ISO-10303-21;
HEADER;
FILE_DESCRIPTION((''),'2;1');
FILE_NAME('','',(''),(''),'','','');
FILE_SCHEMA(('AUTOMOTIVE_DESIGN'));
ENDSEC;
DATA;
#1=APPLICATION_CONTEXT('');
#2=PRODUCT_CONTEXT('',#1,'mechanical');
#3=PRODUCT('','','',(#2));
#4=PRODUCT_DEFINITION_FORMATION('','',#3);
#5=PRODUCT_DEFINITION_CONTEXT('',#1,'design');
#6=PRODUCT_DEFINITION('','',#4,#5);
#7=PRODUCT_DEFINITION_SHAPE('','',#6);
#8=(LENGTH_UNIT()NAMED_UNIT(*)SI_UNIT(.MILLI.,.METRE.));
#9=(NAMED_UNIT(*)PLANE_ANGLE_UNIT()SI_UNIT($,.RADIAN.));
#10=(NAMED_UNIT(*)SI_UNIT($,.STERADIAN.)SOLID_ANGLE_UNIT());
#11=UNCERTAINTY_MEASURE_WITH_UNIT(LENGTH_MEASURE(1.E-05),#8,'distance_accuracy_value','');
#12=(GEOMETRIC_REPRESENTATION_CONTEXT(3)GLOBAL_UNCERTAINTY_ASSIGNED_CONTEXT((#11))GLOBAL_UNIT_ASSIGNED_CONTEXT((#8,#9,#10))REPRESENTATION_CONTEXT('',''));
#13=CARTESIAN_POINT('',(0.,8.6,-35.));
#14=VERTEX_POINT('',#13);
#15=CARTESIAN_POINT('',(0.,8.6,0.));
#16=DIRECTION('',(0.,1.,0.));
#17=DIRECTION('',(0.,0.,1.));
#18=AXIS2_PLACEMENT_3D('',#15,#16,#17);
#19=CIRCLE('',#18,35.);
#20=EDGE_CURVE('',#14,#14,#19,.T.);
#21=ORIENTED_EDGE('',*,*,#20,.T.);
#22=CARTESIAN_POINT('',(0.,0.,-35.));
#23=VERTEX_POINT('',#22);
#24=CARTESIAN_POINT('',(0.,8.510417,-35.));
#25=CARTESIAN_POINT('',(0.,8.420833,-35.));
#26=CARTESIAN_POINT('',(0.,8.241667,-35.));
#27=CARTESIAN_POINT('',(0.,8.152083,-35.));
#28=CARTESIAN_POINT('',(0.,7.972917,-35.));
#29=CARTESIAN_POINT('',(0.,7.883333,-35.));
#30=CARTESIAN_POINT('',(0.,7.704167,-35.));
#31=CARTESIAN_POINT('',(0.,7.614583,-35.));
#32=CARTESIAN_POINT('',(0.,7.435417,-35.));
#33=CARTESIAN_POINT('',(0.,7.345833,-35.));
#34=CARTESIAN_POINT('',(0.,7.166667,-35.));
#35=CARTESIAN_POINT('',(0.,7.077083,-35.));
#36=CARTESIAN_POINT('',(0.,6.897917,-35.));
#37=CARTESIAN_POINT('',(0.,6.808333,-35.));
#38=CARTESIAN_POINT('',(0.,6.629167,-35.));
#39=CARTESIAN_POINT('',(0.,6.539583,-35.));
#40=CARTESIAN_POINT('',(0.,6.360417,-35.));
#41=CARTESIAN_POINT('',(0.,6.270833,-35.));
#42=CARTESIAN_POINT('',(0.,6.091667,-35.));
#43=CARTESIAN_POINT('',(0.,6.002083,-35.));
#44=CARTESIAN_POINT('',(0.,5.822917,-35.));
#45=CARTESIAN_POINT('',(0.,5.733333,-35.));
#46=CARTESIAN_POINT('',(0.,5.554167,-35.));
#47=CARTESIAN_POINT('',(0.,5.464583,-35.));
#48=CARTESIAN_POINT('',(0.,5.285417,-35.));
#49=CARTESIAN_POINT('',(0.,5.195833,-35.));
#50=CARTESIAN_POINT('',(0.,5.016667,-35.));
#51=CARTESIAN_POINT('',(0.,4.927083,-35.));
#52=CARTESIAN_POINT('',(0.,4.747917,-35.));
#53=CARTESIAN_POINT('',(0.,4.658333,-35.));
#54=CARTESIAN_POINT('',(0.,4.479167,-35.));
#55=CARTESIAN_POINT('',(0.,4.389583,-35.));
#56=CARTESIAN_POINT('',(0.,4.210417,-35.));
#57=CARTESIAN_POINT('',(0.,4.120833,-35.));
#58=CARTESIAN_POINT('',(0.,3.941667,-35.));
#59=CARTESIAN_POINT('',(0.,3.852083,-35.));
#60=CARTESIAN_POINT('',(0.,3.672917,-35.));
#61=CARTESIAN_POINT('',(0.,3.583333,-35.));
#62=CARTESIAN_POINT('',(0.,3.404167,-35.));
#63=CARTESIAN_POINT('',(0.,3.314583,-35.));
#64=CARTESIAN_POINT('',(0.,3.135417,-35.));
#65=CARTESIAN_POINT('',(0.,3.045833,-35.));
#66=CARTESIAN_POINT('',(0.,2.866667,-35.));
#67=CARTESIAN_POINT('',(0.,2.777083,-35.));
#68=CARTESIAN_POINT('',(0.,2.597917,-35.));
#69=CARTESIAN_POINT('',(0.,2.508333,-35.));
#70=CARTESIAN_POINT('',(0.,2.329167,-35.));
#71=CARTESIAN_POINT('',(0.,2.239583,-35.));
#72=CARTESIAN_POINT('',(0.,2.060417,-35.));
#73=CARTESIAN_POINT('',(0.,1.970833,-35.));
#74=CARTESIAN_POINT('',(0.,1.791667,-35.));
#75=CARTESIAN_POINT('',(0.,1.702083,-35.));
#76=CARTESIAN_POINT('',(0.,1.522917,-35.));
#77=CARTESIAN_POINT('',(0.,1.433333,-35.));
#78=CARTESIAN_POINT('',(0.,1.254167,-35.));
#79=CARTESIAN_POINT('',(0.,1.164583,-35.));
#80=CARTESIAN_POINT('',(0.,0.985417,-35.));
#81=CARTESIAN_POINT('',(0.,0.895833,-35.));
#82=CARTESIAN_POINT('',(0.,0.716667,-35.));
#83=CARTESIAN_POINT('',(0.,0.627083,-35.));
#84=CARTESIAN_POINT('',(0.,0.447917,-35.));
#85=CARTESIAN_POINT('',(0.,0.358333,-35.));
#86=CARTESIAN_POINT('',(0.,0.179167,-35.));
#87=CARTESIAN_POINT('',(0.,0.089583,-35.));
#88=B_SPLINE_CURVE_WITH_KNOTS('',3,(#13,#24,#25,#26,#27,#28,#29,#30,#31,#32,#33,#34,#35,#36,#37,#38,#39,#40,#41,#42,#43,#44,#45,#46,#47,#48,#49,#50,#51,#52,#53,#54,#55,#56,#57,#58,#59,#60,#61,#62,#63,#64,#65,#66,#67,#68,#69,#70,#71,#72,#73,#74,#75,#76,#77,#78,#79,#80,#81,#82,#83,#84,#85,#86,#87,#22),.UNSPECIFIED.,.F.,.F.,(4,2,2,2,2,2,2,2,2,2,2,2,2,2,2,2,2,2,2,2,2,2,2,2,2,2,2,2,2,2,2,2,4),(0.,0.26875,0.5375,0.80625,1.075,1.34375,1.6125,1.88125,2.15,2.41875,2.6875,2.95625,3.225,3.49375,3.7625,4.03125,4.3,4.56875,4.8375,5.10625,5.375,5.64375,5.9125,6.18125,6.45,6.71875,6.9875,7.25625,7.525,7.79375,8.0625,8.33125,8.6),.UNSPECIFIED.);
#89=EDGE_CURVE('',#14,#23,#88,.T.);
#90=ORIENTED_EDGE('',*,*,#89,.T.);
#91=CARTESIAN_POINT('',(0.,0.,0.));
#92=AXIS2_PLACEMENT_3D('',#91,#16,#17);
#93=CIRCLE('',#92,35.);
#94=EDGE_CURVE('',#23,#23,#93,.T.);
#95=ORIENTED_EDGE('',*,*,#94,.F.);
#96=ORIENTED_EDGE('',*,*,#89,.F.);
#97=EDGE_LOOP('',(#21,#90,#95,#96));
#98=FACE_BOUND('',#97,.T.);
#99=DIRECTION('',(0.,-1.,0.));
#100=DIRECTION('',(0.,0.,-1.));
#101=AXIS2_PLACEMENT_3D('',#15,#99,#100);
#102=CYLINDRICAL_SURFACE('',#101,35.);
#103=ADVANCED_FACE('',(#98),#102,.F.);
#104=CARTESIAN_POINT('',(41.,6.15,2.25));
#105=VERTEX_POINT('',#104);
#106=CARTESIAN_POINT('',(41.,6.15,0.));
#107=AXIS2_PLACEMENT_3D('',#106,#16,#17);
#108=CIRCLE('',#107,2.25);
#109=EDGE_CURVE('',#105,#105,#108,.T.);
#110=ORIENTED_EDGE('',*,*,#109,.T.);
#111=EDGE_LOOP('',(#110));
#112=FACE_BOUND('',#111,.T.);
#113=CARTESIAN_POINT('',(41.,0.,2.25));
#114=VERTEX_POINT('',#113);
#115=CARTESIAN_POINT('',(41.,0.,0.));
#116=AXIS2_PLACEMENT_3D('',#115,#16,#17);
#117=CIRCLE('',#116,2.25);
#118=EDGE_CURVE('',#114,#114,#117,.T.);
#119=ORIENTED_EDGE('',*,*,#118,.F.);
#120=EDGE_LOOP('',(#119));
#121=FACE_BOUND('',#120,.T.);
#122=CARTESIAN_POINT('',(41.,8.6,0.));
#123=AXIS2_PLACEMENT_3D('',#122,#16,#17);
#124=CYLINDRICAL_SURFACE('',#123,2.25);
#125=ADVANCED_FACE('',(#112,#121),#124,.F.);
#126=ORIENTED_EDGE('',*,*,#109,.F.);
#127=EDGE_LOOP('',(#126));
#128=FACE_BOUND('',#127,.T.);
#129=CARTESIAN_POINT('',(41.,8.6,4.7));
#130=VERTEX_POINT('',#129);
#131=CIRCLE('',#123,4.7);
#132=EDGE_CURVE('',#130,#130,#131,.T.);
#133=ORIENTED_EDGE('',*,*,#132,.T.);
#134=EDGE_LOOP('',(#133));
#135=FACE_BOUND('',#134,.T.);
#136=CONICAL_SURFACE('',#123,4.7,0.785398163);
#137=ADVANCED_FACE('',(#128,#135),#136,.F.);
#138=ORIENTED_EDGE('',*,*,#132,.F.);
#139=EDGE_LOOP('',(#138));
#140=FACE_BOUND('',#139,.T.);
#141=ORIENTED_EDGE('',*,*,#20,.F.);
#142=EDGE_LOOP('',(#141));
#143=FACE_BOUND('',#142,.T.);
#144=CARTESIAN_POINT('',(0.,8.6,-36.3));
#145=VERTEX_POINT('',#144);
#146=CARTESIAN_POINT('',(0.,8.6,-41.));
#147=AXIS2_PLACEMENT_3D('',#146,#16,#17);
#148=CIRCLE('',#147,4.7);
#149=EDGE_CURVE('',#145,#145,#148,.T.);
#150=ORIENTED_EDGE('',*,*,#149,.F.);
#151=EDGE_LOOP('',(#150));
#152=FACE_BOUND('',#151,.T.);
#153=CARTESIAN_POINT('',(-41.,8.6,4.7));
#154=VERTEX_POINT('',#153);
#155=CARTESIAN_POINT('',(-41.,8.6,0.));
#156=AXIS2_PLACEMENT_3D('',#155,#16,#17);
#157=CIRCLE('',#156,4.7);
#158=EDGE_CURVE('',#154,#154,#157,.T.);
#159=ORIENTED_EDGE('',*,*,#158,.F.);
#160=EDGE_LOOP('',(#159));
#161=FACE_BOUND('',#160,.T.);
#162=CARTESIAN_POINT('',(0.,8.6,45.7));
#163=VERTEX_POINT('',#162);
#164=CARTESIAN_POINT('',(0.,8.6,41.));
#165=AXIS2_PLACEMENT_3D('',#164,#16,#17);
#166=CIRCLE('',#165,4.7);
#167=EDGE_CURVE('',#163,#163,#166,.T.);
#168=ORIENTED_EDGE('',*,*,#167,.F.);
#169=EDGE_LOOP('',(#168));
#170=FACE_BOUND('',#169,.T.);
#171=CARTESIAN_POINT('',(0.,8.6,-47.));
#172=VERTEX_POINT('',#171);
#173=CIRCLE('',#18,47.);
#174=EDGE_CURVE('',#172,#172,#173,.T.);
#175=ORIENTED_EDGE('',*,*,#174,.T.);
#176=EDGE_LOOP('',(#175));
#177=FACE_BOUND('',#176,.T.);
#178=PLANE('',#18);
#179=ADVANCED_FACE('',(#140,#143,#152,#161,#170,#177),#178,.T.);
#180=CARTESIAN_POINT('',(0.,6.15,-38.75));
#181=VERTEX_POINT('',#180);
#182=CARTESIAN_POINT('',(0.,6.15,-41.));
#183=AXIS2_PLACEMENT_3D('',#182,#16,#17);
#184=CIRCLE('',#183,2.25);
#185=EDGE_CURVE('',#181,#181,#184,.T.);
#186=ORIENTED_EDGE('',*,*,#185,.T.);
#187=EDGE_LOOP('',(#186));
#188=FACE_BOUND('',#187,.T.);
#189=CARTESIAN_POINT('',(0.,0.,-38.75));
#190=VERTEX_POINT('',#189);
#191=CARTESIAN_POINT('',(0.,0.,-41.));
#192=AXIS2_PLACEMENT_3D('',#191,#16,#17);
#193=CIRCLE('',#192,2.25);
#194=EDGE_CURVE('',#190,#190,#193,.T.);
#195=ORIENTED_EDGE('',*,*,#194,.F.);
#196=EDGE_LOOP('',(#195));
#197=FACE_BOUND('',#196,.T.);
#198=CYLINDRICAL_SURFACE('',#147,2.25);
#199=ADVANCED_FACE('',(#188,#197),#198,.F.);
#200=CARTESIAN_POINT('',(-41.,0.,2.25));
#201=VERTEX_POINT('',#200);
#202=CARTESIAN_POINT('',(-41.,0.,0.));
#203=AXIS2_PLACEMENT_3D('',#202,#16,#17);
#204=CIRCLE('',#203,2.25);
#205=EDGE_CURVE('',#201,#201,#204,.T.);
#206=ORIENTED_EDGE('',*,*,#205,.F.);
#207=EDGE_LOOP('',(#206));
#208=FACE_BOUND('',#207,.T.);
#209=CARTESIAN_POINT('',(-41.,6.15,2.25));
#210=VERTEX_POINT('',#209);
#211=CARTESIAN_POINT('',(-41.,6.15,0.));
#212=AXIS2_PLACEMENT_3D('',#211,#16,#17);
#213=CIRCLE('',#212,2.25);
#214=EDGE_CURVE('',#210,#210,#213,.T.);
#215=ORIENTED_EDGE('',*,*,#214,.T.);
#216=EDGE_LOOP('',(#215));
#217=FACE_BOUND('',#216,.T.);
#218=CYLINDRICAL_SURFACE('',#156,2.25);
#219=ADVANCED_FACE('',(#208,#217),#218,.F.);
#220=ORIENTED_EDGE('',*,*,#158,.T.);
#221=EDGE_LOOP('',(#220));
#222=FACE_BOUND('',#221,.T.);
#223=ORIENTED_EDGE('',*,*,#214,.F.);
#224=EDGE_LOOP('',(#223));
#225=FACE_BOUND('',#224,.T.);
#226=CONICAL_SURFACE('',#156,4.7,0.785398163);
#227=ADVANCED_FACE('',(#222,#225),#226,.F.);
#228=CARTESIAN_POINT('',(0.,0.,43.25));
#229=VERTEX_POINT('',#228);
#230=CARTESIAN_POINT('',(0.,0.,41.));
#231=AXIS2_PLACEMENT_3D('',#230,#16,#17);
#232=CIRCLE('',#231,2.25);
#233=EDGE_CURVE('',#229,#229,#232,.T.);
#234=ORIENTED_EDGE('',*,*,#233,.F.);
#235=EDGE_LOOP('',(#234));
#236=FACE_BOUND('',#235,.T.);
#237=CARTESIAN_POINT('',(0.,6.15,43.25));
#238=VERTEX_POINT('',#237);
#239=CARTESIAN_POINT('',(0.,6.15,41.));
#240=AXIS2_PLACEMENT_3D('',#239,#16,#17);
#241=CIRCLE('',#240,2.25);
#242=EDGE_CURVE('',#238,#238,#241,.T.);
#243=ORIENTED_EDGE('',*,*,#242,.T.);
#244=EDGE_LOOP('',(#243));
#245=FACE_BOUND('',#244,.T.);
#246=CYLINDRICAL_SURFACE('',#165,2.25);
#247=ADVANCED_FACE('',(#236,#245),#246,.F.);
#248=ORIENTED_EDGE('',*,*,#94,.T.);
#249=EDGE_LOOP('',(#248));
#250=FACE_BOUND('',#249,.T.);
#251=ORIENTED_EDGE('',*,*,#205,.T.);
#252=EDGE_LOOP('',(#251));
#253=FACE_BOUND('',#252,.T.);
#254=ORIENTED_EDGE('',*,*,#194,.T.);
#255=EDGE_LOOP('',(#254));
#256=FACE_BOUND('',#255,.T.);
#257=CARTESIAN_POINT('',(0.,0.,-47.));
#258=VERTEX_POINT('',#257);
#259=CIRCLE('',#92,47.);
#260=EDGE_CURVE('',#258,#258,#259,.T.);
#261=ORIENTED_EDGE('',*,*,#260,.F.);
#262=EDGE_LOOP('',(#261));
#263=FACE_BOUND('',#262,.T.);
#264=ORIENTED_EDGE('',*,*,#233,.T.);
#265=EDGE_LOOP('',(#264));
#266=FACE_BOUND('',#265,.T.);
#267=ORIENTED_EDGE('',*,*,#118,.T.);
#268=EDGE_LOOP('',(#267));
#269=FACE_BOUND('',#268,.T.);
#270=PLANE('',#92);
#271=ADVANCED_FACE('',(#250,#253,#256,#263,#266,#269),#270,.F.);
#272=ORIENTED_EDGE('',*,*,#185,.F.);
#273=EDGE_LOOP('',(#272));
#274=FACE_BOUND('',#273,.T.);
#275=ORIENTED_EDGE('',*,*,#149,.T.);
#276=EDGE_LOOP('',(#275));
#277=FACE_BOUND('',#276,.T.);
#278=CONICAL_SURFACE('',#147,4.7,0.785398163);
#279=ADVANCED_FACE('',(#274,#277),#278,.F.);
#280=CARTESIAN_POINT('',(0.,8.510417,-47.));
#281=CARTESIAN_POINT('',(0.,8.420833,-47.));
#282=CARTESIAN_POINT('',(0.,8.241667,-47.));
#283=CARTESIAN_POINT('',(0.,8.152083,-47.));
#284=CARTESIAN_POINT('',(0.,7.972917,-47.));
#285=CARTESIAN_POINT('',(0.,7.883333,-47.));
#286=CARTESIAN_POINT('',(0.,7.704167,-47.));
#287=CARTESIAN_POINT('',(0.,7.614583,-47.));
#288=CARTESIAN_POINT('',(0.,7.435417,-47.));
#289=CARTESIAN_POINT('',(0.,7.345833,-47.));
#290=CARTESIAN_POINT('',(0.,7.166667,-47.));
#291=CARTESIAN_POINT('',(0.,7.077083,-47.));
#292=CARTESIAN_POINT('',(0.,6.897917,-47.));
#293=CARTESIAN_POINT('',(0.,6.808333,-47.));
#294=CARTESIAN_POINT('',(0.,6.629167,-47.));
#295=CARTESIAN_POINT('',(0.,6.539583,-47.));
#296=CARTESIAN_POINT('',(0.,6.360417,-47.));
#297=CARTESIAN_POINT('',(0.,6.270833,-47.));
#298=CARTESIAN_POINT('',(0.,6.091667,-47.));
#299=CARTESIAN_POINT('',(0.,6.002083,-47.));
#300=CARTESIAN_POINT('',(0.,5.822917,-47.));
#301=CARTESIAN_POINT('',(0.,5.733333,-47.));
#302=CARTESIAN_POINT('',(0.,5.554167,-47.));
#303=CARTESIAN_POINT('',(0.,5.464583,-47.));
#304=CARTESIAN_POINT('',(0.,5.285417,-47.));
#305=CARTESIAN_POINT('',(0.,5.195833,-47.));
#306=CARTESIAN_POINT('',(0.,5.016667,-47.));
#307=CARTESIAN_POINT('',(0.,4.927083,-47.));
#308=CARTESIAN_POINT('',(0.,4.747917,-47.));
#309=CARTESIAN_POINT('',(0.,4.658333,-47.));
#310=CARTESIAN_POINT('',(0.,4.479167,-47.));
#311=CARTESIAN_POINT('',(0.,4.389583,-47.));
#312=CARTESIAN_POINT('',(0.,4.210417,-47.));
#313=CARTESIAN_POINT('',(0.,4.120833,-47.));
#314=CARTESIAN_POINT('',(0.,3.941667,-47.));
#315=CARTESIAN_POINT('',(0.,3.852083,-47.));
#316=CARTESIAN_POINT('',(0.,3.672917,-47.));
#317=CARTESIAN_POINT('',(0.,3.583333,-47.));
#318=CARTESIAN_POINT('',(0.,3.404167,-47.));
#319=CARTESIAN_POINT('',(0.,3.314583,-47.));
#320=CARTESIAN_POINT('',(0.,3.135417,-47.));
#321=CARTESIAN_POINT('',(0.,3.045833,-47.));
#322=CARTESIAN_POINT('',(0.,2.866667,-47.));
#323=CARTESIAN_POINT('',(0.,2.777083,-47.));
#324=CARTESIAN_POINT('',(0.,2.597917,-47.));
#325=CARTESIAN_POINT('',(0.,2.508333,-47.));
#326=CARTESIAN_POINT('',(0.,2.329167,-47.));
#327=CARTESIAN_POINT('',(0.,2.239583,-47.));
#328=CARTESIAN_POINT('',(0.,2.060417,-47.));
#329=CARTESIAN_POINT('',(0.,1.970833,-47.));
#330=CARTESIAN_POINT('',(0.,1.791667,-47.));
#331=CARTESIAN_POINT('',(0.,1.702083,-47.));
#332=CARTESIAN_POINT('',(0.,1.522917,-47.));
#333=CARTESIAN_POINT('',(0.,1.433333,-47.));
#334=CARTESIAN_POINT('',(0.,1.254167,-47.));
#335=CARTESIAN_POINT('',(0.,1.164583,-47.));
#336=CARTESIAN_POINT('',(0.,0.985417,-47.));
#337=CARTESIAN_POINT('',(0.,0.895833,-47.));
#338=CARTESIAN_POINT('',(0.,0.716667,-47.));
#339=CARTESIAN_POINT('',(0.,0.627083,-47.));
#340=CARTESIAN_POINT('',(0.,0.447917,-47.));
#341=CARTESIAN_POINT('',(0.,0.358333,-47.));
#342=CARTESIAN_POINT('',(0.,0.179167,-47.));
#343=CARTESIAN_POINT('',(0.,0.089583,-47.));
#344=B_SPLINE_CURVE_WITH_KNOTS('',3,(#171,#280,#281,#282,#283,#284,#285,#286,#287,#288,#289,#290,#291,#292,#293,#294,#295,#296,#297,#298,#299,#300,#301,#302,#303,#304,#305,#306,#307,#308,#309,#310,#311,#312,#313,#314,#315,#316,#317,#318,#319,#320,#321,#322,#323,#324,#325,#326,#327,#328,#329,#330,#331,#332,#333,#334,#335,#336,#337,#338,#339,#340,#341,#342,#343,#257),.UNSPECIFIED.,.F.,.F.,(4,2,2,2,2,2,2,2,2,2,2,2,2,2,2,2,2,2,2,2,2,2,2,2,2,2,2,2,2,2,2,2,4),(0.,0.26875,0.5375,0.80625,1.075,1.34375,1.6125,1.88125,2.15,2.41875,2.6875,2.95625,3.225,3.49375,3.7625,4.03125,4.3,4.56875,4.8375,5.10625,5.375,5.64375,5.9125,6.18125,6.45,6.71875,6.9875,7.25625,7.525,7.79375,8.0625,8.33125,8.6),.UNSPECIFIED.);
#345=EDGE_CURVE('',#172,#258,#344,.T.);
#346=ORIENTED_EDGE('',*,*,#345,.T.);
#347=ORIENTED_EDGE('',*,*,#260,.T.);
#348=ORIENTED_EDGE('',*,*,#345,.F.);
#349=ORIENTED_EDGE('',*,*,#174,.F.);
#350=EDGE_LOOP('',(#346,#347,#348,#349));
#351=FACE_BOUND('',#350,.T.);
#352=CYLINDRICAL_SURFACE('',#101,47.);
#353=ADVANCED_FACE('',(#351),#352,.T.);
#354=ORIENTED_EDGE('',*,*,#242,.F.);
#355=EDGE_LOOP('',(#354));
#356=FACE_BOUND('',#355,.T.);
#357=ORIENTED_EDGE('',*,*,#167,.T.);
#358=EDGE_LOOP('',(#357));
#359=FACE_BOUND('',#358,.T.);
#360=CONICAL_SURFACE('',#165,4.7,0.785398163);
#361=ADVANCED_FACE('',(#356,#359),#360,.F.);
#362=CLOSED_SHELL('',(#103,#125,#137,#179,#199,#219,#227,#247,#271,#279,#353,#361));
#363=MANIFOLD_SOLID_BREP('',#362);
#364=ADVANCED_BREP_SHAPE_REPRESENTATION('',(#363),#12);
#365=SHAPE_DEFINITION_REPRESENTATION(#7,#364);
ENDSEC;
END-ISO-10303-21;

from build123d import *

# Parameters (mm, degrees)
SKETCH1_R                                       = 47
SKETCH1_R_2                                     = 35
BOSS_EXTRUDE1_DEPTH                             = 8.6
CSK_FOR_M4_FLAT_HEAD_MACHINE_SCREW1_D           = 4.5
CSK_FOR_M4_FLAT_HEAD_MACHINE_SCREW1_CSINK_D     = 9.4
CSK_FOR_M4_FLAT_HEAD_MACHINE_SCREW1_CSINK_ANGLE = 90


with BuildPart() as part:
    # Sketch1 → Boss-Extrude1 (new body)
    with BuildSketch(Plane(origin=(0, 0, 0), x_dir=(1, 0, 0), z_dir=(0, 1, 0))):
        Circle(SKETCH1_R)
        Circle(SKETCH1_R_2, mode=Mode.SUBTRACT)
    extrude(amount=BOSS_EXTRUDE1_DEPTH)

    # CSK for M4 Flat Head Machine Screw1 (through all)
    with Locations(Plane(origin=(0, 8.6, 0), x_dir=(1, 0, 0), z_dir=(0, 1, 0))):
        with Locations((0, 41), (0, -41), (-41, 0), (41, 0)):
            CounterSinkHole(CSK_FOR_M4_FLAT_HEAD_MACHINE_SCREW1_D / 2, CSK_FOR_M4_FLAT_HEAD_MACHINE_SCREW1_CSINK_D / 2, counter_sink_angle=CSK_FOR_M4_FLAT_HEAD_MACHINE_SCREW1_CSINK_ANGLE)


solid = part.part
